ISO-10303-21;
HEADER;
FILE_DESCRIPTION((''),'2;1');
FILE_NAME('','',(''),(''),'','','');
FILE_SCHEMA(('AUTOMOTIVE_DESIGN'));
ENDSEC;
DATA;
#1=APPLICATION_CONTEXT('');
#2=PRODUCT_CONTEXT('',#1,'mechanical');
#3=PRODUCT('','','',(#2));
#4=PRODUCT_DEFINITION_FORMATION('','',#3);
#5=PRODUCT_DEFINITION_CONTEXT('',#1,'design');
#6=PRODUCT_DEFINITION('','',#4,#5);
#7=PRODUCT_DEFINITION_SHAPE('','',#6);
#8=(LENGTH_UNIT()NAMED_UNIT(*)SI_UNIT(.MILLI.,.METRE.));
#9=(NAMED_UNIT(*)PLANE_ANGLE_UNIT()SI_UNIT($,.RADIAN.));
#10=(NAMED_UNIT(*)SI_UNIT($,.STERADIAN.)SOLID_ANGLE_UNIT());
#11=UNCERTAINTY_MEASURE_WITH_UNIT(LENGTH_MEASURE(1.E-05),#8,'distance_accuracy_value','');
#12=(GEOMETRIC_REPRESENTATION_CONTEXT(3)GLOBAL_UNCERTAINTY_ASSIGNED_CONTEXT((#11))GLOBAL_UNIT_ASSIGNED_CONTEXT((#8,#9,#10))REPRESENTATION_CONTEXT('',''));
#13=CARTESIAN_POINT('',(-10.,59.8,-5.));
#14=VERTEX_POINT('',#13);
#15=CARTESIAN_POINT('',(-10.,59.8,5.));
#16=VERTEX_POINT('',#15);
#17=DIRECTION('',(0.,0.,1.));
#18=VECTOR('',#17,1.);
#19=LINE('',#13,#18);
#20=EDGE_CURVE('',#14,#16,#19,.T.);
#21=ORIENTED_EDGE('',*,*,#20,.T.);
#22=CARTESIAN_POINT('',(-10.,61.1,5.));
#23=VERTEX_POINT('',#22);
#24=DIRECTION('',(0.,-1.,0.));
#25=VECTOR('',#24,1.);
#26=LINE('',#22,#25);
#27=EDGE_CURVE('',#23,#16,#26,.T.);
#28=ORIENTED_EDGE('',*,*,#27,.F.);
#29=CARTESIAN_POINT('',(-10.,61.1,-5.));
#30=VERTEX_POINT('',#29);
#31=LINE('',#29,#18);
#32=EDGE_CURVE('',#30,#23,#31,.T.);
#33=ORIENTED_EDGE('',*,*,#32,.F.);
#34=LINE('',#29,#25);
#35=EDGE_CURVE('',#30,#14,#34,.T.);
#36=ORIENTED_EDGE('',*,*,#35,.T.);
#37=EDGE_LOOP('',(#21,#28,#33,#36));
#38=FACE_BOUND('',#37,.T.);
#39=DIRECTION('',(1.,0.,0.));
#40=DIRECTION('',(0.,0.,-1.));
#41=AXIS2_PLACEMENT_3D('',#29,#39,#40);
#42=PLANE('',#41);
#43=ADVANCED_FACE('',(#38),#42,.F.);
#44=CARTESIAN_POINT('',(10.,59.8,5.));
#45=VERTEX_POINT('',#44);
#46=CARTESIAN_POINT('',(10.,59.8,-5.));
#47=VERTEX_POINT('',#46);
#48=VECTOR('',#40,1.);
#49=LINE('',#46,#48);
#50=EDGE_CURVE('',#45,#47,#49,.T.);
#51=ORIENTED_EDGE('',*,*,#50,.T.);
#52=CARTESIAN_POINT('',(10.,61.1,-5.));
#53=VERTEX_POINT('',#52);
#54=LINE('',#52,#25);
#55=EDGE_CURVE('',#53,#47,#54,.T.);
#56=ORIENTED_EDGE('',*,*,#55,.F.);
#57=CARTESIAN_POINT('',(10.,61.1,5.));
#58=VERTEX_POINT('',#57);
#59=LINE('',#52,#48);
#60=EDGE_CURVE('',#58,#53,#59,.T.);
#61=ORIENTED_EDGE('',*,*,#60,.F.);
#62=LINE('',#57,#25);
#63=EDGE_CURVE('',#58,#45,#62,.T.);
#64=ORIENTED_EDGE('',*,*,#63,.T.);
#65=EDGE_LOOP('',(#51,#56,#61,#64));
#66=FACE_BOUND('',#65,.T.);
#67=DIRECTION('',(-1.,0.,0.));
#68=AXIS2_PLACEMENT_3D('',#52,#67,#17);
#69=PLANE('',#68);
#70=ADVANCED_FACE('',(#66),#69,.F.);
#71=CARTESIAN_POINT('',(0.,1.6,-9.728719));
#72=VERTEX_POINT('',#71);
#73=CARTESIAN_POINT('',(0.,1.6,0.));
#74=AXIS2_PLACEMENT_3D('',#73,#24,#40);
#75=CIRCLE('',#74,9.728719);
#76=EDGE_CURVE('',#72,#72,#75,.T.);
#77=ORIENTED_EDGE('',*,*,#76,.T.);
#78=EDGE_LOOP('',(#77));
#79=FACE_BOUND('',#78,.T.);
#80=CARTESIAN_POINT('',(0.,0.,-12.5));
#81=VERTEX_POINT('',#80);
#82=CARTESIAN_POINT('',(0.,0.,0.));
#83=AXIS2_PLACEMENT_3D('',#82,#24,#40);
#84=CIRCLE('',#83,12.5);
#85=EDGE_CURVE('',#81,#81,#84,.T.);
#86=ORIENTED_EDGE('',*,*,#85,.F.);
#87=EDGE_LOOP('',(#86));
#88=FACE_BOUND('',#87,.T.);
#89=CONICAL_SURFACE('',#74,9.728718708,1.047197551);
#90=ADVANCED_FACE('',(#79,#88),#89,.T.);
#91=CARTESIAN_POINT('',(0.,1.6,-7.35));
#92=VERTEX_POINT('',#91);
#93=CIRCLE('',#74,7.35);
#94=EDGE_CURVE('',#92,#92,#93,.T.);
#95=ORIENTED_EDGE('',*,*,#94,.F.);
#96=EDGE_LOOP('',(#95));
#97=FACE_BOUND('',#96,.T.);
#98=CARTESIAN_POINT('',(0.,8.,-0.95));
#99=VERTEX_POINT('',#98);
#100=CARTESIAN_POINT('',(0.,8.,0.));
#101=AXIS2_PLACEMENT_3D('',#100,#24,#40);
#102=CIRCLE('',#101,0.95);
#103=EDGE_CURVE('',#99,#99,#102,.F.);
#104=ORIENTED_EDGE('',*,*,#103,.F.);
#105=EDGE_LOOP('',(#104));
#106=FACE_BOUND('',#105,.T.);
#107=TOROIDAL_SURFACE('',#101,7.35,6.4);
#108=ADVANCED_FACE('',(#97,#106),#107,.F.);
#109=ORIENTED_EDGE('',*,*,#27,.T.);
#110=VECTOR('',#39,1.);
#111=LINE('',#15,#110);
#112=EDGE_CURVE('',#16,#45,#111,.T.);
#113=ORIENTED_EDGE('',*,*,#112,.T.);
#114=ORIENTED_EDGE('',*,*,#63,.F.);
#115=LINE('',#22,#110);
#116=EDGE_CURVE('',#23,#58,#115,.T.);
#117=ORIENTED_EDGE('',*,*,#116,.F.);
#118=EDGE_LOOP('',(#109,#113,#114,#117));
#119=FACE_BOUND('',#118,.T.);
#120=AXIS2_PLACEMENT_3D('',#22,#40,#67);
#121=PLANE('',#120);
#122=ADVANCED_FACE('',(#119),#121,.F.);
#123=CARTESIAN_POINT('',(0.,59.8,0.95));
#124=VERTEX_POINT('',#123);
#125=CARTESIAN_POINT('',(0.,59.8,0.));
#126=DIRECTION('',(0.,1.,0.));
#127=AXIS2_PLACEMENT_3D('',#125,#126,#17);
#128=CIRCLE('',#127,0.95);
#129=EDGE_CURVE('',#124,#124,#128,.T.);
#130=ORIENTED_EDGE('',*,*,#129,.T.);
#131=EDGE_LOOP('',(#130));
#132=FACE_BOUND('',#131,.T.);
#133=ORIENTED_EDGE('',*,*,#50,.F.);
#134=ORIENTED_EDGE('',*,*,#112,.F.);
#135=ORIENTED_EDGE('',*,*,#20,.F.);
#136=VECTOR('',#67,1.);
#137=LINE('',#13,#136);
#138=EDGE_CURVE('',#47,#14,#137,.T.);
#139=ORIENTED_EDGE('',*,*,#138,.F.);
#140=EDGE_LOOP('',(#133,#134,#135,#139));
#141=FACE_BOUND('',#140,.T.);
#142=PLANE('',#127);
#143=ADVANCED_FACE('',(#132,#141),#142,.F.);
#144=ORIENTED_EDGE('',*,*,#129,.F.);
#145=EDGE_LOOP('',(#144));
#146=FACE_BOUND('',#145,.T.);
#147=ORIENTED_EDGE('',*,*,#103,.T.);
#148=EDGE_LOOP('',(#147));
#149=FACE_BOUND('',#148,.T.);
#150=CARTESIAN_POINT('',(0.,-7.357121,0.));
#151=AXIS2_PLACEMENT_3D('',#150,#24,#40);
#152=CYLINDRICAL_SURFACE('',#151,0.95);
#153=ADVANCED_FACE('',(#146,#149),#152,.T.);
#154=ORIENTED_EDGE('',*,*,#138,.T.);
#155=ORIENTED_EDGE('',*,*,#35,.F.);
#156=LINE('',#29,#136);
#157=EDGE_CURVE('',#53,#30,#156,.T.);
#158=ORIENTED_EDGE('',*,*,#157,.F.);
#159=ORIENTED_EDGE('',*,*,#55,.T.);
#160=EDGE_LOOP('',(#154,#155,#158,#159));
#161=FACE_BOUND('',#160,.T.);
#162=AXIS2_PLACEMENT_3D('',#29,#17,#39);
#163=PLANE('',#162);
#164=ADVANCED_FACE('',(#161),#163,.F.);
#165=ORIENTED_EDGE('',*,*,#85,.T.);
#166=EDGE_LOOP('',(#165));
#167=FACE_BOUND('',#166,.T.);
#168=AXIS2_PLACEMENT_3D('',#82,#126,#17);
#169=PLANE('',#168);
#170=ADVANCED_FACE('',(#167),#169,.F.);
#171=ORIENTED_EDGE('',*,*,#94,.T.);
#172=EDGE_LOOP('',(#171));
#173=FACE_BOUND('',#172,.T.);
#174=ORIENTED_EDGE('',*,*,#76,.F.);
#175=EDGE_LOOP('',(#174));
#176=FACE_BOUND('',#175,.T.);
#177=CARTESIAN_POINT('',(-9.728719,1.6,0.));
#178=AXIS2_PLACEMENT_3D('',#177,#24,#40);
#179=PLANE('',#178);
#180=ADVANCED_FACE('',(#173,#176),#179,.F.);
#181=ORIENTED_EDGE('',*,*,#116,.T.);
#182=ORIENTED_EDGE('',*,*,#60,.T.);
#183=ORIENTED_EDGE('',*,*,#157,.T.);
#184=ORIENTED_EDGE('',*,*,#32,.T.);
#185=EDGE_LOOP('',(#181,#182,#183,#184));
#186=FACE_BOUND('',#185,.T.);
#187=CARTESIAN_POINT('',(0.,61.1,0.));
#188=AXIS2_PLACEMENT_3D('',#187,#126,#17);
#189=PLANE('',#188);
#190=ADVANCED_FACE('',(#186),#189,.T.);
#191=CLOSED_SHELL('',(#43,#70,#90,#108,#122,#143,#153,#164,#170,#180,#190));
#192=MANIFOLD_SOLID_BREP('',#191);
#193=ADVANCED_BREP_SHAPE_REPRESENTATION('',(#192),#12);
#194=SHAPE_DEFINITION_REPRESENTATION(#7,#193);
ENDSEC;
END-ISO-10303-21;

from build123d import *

# Parameters (mm, degrees)
RACCORDO2_R                  = 6.4
SCHIZZO5_W                   = 20
SCHIZZO5_H                   = 10
ESTRUSIONE_ESTRUSIONE1_DEPTH = 1.3


with BuildPart() as part:
    # Schizzo4 → Rivoluzione9 (revolve)
    with BuildSketch(Plane.XY, mode=Mode.PRIVATE) as rivoluzione9_sk:
        Polygon((0, 0), (-12.5, 0), (-9.728718708, 1.6), (-0.95, 1.6), (-0.95, 8), (-0.95, 59.8), (0, 59.8), align=None)
    revolve(rivoluzione9_sk.sketch.rotate(Axis((0, -7.357121252, 0), (0, 1, 0)), 270), axis=Axis((0, -7.357121252, 0), (0, 1, 0)))

    # Raccordo2
    raccordo2_edges = [part.edges().sort_by_distance(p)[0] for p in [
        (0, 1.6, 0.95),
    ]]
    fillet(raccordo2_edges, radius=RACCORDO2_R)

    # Schizzo5 → Estrusione-Estrusione1 (add)
    with BuildSketch(Plane(origin=(0, 59.8, 0), x_dir=(1, 0, 0), z_dir=(0, 1, 0))):
        Rectangle(SCHIZZO5_W, SCHIZZO5_H)
    extrude(amount=ESTRUSIONE_ESTRUSIONE1_DEPTH)


solid = part.part
